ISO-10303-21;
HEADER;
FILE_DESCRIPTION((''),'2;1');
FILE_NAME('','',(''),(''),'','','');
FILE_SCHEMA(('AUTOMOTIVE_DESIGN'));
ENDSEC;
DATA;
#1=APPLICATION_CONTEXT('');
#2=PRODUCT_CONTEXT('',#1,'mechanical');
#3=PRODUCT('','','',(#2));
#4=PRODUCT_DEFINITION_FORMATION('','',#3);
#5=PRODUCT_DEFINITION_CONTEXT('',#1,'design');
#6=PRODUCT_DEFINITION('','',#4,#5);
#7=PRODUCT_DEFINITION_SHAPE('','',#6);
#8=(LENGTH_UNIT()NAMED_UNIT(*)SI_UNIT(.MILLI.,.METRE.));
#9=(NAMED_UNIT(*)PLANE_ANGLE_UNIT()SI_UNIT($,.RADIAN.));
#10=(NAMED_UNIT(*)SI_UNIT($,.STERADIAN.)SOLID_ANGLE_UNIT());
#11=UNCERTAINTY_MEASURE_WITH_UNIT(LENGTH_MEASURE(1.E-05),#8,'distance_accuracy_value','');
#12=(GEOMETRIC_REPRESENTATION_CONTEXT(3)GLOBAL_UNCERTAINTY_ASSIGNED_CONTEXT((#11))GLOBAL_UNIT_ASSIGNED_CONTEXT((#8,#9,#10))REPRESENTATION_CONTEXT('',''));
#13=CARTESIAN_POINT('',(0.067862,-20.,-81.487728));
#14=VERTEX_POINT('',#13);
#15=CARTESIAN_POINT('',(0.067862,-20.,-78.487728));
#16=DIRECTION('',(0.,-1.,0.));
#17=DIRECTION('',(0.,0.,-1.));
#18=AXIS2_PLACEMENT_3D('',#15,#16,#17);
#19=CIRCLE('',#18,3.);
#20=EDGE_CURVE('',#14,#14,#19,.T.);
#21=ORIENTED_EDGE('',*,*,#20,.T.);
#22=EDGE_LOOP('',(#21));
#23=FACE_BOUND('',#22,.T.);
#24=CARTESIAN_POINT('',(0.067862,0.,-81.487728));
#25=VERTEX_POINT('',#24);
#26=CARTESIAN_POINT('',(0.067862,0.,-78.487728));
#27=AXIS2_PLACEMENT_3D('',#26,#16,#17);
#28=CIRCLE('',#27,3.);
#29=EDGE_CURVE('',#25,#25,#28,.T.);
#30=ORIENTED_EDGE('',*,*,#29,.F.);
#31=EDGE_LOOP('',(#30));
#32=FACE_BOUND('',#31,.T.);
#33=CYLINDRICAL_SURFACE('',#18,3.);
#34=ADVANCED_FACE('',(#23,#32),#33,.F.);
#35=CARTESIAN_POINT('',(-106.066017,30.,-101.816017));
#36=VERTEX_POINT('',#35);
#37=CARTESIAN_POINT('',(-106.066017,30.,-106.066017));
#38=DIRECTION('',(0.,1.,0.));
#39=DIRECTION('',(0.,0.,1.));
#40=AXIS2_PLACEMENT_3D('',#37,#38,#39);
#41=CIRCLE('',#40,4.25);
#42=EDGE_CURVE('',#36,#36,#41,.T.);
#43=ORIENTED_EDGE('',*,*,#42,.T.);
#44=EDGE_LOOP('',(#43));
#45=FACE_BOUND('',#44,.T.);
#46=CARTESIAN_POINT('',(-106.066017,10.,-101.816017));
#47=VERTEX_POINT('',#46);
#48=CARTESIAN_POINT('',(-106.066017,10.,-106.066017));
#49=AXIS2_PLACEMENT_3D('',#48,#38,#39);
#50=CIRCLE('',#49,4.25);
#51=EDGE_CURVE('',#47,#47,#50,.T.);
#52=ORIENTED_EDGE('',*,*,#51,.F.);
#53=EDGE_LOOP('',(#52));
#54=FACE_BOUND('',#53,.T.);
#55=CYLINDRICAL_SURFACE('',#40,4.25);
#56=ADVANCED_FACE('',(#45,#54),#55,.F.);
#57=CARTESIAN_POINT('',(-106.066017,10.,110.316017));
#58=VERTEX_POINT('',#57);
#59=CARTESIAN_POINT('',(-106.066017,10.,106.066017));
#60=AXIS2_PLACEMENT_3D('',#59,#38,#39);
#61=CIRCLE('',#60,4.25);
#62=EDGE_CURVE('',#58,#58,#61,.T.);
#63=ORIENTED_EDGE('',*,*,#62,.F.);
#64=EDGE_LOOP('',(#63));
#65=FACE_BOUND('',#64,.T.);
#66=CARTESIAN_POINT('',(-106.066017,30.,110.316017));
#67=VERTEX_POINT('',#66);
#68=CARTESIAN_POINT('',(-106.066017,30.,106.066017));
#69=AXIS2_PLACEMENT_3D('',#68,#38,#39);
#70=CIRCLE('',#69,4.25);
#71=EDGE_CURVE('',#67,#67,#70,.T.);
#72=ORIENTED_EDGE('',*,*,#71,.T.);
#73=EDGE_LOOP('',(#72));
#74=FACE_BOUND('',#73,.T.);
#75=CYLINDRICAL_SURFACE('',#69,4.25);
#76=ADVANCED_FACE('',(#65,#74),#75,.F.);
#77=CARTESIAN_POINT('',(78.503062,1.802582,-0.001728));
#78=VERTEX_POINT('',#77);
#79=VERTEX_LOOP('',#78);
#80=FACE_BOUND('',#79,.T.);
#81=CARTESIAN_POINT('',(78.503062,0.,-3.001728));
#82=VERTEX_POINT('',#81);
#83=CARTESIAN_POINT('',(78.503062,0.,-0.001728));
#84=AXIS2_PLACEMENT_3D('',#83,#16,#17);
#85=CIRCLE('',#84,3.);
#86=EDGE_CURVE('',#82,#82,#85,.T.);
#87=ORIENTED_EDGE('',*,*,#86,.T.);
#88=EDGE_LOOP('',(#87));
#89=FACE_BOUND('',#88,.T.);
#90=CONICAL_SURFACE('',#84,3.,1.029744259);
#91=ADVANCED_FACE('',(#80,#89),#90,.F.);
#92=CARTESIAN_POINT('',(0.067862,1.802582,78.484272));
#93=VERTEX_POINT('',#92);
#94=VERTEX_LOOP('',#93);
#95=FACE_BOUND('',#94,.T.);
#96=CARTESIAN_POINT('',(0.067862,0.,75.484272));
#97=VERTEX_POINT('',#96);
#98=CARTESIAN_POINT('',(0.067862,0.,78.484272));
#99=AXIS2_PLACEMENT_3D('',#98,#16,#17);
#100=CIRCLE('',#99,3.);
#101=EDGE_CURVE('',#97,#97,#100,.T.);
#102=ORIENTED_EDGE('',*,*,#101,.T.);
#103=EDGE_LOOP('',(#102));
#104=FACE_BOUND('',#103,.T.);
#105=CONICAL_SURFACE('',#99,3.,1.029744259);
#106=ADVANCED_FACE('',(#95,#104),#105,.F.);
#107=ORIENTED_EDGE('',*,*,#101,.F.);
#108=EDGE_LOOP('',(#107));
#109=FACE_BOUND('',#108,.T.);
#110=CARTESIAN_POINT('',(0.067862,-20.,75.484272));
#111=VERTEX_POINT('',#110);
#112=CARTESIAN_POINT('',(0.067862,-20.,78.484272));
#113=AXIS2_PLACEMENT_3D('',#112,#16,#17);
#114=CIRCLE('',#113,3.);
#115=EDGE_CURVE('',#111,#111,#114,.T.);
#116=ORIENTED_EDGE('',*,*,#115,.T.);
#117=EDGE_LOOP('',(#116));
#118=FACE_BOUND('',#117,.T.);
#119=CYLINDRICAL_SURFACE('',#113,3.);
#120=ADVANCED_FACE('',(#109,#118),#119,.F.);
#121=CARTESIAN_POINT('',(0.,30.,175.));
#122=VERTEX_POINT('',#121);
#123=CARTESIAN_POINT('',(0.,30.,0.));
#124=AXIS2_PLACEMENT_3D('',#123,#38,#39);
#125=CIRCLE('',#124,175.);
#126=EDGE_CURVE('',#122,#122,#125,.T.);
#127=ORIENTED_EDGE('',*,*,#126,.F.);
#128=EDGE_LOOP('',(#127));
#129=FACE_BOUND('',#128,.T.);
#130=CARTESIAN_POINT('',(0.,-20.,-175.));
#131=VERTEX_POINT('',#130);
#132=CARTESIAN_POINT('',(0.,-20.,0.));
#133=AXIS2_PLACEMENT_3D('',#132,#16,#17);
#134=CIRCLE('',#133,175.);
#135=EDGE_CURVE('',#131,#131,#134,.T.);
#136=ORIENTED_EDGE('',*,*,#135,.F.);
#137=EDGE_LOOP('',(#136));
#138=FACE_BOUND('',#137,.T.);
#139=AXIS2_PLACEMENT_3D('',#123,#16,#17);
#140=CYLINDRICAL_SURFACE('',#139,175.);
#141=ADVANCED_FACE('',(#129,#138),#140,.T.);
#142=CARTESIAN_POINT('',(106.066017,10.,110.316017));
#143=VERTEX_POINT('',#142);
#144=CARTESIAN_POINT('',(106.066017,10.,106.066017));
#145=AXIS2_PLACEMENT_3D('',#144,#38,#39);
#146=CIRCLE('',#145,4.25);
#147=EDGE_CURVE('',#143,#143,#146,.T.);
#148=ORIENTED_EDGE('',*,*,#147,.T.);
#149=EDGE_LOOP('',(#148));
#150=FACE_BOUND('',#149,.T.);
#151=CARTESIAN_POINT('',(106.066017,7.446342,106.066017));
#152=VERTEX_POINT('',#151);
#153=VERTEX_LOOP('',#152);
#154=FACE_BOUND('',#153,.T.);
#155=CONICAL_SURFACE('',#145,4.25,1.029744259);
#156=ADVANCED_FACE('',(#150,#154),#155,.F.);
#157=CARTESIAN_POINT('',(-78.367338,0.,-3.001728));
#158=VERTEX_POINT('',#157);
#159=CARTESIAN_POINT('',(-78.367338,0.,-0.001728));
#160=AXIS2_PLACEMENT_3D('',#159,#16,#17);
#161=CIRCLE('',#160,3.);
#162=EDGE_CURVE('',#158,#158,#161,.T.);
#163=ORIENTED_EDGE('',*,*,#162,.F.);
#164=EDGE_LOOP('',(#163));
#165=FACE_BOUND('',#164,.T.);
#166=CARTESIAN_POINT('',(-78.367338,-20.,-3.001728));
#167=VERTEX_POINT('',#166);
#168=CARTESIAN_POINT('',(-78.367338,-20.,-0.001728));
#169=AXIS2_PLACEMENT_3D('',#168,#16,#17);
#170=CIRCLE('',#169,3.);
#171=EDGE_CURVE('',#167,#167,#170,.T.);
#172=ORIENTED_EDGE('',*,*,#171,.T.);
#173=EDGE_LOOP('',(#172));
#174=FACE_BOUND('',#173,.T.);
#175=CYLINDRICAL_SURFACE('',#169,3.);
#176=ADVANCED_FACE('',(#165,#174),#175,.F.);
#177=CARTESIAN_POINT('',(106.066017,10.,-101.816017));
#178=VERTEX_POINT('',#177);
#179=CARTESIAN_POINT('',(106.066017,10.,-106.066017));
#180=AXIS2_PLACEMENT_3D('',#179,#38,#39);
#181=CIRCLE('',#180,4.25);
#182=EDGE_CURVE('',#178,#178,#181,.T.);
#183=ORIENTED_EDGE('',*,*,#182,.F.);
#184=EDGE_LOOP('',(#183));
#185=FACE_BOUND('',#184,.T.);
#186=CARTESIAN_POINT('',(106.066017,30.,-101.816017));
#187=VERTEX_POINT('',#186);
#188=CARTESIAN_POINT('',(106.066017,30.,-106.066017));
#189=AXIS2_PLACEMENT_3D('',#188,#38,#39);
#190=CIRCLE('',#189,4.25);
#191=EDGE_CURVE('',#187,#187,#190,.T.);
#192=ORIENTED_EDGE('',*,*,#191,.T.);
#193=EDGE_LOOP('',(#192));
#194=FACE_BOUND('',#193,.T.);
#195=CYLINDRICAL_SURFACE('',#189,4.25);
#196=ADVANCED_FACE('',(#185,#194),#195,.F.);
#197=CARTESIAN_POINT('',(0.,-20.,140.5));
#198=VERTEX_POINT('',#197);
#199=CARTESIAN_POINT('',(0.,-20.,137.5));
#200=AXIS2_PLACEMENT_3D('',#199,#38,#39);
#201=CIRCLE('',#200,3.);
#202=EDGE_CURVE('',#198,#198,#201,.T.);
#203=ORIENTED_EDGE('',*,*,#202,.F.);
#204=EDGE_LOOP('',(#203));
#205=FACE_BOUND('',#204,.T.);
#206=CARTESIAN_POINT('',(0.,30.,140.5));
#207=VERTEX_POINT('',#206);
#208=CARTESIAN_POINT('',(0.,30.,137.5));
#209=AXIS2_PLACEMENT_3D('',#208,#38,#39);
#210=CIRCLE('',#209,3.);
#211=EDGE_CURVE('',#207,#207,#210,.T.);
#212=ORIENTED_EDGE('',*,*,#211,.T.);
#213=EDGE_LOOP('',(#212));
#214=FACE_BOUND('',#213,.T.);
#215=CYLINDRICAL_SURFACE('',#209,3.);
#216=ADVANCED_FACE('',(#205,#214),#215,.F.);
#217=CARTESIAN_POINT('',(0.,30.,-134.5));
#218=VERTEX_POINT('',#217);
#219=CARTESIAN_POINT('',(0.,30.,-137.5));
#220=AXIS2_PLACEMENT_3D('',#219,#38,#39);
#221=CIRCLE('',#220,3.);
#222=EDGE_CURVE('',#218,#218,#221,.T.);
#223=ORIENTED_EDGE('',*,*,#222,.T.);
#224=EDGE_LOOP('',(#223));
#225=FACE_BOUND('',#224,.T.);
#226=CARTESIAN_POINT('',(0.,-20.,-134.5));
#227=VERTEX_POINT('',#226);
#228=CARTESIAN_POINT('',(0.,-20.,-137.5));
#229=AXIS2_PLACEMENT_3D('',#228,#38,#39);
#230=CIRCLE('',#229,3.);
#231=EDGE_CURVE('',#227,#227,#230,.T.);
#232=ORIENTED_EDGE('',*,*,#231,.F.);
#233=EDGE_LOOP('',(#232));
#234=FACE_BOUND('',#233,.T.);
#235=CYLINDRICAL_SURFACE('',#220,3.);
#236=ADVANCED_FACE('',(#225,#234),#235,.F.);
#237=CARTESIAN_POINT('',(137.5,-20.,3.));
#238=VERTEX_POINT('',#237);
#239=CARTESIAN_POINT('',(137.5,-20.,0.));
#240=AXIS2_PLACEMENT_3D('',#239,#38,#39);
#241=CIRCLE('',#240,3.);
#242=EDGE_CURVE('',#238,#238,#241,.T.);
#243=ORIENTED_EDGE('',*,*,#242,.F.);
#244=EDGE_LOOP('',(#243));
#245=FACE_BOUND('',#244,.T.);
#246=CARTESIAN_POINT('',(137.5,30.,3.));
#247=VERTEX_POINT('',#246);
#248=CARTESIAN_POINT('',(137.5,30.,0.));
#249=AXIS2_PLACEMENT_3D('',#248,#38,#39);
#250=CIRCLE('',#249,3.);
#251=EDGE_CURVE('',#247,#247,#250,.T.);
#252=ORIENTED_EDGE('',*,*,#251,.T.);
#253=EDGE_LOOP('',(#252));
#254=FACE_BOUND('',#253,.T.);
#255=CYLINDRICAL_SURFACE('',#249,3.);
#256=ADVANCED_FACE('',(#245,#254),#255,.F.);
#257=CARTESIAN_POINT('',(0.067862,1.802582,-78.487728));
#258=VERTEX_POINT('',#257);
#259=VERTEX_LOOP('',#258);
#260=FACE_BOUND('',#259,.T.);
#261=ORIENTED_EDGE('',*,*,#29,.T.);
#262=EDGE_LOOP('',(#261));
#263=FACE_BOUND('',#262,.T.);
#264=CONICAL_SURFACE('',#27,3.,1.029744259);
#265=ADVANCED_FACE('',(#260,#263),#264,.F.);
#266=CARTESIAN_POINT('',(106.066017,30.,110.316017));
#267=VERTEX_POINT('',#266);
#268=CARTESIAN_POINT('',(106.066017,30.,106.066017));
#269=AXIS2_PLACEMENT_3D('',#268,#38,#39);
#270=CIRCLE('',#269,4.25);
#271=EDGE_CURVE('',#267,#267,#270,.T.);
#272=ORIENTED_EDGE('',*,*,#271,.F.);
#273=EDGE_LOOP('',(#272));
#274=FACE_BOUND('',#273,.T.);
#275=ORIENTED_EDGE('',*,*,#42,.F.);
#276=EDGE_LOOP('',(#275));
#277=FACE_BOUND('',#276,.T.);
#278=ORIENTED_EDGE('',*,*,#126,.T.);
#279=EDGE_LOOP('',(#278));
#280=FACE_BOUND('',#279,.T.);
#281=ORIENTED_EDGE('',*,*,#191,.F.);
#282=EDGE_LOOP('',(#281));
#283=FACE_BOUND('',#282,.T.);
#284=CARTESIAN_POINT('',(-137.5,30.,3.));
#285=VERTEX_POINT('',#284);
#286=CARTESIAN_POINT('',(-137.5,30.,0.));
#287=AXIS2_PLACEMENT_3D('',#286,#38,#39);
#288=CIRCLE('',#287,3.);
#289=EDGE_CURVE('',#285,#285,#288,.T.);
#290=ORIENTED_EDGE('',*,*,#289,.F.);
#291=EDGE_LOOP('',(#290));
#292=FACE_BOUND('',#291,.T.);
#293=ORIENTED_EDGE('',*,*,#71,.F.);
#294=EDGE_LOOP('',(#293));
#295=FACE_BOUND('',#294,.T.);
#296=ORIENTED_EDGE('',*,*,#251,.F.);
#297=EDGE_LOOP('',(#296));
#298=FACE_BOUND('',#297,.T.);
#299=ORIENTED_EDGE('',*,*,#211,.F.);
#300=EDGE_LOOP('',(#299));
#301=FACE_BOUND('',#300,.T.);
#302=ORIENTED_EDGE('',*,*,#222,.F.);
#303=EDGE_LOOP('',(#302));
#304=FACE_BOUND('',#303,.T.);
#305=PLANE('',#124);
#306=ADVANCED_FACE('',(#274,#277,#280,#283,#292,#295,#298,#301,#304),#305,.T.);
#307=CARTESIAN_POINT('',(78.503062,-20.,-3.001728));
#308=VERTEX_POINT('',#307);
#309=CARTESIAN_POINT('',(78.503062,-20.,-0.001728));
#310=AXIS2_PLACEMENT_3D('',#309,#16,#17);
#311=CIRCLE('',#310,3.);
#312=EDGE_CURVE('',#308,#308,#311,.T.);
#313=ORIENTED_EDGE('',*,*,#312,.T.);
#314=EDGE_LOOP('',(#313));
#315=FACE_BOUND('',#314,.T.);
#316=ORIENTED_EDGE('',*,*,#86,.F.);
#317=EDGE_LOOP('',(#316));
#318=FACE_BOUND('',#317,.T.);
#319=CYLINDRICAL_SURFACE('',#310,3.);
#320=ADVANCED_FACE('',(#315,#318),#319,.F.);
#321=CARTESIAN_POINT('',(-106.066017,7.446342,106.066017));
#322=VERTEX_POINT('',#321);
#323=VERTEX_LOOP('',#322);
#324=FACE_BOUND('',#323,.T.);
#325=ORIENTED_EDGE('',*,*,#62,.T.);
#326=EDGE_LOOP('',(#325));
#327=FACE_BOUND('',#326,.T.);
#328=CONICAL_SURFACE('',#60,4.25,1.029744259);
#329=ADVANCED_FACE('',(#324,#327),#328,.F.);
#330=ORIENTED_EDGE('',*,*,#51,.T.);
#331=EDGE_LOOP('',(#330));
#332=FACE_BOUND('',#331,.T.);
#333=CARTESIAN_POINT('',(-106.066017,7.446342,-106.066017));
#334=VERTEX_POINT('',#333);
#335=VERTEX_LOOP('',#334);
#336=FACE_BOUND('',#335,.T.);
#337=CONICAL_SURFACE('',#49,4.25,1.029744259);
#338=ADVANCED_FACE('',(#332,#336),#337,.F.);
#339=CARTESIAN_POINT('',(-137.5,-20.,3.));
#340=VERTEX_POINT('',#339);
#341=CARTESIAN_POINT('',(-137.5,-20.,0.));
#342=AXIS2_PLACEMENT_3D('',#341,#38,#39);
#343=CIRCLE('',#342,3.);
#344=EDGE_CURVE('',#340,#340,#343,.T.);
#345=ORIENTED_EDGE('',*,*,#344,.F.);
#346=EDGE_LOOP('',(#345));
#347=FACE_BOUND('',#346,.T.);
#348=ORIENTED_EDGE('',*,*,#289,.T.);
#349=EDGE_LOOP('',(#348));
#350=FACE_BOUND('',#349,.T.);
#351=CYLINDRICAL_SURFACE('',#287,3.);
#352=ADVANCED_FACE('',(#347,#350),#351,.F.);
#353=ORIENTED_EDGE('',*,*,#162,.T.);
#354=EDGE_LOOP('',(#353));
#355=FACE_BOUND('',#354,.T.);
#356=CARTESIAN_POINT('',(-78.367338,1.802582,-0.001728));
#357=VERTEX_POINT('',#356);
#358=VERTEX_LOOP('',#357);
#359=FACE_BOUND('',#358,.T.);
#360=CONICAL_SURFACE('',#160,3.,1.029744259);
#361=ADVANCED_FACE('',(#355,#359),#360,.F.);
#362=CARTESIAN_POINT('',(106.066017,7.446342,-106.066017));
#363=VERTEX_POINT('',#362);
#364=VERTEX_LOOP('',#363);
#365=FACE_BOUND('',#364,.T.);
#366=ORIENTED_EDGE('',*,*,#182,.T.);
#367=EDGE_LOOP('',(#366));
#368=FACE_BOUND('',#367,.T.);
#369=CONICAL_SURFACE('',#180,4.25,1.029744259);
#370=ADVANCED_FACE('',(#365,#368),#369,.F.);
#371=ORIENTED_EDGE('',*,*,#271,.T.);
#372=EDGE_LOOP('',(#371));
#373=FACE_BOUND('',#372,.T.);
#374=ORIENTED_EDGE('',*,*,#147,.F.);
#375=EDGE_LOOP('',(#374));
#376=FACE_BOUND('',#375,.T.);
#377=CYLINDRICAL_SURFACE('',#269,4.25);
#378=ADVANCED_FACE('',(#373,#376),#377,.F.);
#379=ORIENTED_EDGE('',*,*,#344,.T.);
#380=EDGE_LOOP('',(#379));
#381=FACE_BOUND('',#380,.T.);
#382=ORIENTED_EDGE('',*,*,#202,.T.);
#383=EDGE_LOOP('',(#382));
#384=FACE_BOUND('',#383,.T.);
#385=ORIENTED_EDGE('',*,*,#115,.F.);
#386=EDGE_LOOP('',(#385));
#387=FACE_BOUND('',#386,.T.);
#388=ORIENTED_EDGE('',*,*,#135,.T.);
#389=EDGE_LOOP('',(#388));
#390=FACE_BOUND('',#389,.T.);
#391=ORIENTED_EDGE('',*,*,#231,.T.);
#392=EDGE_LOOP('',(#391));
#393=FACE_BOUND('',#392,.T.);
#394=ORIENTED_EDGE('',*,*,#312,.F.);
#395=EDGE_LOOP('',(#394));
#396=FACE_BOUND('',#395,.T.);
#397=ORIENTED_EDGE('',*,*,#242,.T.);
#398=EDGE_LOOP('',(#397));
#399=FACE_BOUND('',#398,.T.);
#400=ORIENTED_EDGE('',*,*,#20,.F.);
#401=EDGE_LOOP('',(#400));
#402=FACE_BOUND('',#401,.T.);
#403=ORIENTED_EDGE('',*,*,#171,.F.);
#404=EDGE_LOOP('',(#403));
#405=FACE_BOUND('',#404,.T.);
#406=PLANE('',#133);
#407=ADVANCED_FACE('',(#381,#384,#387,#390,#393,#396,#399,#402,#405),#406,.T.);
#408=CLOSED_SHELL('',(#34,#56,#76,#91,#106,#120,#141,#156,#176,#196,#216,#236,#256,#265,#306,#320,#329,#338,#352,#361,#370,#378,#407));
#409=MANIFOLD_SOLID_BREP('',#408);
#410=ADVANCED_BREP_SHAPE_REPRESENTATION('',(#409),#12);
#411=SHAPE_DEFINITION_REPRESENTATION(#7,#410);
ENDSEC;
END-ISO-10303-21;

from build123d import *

# Parameters (mm, degrees)
SKETCH1_R                        = 175
BOSS_EXTRUDE1_DEPTH              = 30
TAP_DRILL_FOR_M10X1_5_TAP1_D     = 8.5
TAP_DRILL_FOR_M10X1_5_TAP1_DEPTH = 20
TAP_DRILL_FOR_M10X1_5_TAP1_TIP   = 2.553657631
BOSS_EXTRUDE2_START              = 20
SKETCH7_R                        = 175
BOSS_EXTRUDE2_DEPTH              = 20
F_6_0_6_DIAMETER_HOLE1_D         = 6
TAP_DRILL_FOR_M7X1_0_TAP2_D      = 6
TAP_DRILL_FOR_M7X1_0_TAP2_DEPTH  = 20
TAP_DRILL_FOR_M7X1_0_TAP2_TIP    = 1.802581857


with BuildPart() as part:
    # Sketch1 → Boss-Extrude1 (new body)
    with BuildSketch(Plane(origin=(0, 0, 0), x_dir=(1, 0, 0), z_dir=(0, 1, 0))):
        Circle(SKETCH1_R)
    extrude(amount=BOSS_EXTRUDE1_DEPTH)

    # Tap Drill for M10x1.5 Tap1
    with Locations(Plane(origin=(0, 30, 0), x_dir=(1, 0, 0), z_dir=(0, 1, 0))):
        with Locations((-106.066017178, -106.066017178), (106.066017178, -106.066017178), (106.066017178, 106.066017178), (-106.066017178, 106.066017178)):
            Hole(TAP_DRILL_FOR_M10X1_5_TAP1_D / 2, depth=TAP_DRILL_FOR_M10X1_5_TAP1_DEPTH)
            with Locations((0, 0, -(TAP_DRILL_FOR_M10X1_5_TAP1_DEPTH + TAP_DRILL_FOR_M10X1_5_TAP1_TIP / 2))):  # 118° drill point
                Cone(0, TAP_DRILL_FOR_M10X1_5_TAP1_D / 2, TAP_DRILL_FOR_M10X1_5_TAP1_TIP, mode=Mode.SUBTRACT)

    # Sketch7 → Boss-Extrude2 (add)
    with BuildSketch(Plane.XZ.offset(BOSS_EXTRUDE2_START)):
        Circle(SKETCH7_R)
    extrude(amount=-BOSS_EXTRUDE2_DEPTH)

    # Ø6.0 (6) Diameter Hole1 (through all)
    with Locations(Plane(origin=(0, 30, 0), x_dir=(1, 0, 0), z_dir=(0, 1, 0))):
        with Locations((-137.5, 0), (0, -137.5), (137.5, 0), (0, 137.5)):
            Hole(F_6_0_6_DIAMETER_HOLE1_D / 2)

    # Tap Drill for M7x1.0 Tap2
    with Locations(Plane(origin=(0, -20, 0), x_dir=(-1, 0, 0), z_dir=(0, -1, 0))):
        with Locations((78.367338092, 0.001727747), (-0.067861908, -78.484272253), (-78.503061908, 0.001727747), (-0.067861908, 78.487727747)):
            Hole(TAP_DRILL_FOR_M7X1_0_TAP2_D / 2, depth=TAP_DRILL_FOR_M7X1_0_TAP2_DEPTH)
            with Locations((0, 0, -(TAP_DRILL_FOR_M7X1_0_TAP2_DEPTH + TAP_DRILL_FOR_M7X1_0_TAP2_TIP / 2))):  # 118° drill point
                Cone(0, TAP_DRILL_FOR_M7X1_0_TAP2_D / 2, TAP_DRILL_FOR_M7X1_0_TAP2_TIP, mode=Mode.SUBTRACT)


solid = part.part
